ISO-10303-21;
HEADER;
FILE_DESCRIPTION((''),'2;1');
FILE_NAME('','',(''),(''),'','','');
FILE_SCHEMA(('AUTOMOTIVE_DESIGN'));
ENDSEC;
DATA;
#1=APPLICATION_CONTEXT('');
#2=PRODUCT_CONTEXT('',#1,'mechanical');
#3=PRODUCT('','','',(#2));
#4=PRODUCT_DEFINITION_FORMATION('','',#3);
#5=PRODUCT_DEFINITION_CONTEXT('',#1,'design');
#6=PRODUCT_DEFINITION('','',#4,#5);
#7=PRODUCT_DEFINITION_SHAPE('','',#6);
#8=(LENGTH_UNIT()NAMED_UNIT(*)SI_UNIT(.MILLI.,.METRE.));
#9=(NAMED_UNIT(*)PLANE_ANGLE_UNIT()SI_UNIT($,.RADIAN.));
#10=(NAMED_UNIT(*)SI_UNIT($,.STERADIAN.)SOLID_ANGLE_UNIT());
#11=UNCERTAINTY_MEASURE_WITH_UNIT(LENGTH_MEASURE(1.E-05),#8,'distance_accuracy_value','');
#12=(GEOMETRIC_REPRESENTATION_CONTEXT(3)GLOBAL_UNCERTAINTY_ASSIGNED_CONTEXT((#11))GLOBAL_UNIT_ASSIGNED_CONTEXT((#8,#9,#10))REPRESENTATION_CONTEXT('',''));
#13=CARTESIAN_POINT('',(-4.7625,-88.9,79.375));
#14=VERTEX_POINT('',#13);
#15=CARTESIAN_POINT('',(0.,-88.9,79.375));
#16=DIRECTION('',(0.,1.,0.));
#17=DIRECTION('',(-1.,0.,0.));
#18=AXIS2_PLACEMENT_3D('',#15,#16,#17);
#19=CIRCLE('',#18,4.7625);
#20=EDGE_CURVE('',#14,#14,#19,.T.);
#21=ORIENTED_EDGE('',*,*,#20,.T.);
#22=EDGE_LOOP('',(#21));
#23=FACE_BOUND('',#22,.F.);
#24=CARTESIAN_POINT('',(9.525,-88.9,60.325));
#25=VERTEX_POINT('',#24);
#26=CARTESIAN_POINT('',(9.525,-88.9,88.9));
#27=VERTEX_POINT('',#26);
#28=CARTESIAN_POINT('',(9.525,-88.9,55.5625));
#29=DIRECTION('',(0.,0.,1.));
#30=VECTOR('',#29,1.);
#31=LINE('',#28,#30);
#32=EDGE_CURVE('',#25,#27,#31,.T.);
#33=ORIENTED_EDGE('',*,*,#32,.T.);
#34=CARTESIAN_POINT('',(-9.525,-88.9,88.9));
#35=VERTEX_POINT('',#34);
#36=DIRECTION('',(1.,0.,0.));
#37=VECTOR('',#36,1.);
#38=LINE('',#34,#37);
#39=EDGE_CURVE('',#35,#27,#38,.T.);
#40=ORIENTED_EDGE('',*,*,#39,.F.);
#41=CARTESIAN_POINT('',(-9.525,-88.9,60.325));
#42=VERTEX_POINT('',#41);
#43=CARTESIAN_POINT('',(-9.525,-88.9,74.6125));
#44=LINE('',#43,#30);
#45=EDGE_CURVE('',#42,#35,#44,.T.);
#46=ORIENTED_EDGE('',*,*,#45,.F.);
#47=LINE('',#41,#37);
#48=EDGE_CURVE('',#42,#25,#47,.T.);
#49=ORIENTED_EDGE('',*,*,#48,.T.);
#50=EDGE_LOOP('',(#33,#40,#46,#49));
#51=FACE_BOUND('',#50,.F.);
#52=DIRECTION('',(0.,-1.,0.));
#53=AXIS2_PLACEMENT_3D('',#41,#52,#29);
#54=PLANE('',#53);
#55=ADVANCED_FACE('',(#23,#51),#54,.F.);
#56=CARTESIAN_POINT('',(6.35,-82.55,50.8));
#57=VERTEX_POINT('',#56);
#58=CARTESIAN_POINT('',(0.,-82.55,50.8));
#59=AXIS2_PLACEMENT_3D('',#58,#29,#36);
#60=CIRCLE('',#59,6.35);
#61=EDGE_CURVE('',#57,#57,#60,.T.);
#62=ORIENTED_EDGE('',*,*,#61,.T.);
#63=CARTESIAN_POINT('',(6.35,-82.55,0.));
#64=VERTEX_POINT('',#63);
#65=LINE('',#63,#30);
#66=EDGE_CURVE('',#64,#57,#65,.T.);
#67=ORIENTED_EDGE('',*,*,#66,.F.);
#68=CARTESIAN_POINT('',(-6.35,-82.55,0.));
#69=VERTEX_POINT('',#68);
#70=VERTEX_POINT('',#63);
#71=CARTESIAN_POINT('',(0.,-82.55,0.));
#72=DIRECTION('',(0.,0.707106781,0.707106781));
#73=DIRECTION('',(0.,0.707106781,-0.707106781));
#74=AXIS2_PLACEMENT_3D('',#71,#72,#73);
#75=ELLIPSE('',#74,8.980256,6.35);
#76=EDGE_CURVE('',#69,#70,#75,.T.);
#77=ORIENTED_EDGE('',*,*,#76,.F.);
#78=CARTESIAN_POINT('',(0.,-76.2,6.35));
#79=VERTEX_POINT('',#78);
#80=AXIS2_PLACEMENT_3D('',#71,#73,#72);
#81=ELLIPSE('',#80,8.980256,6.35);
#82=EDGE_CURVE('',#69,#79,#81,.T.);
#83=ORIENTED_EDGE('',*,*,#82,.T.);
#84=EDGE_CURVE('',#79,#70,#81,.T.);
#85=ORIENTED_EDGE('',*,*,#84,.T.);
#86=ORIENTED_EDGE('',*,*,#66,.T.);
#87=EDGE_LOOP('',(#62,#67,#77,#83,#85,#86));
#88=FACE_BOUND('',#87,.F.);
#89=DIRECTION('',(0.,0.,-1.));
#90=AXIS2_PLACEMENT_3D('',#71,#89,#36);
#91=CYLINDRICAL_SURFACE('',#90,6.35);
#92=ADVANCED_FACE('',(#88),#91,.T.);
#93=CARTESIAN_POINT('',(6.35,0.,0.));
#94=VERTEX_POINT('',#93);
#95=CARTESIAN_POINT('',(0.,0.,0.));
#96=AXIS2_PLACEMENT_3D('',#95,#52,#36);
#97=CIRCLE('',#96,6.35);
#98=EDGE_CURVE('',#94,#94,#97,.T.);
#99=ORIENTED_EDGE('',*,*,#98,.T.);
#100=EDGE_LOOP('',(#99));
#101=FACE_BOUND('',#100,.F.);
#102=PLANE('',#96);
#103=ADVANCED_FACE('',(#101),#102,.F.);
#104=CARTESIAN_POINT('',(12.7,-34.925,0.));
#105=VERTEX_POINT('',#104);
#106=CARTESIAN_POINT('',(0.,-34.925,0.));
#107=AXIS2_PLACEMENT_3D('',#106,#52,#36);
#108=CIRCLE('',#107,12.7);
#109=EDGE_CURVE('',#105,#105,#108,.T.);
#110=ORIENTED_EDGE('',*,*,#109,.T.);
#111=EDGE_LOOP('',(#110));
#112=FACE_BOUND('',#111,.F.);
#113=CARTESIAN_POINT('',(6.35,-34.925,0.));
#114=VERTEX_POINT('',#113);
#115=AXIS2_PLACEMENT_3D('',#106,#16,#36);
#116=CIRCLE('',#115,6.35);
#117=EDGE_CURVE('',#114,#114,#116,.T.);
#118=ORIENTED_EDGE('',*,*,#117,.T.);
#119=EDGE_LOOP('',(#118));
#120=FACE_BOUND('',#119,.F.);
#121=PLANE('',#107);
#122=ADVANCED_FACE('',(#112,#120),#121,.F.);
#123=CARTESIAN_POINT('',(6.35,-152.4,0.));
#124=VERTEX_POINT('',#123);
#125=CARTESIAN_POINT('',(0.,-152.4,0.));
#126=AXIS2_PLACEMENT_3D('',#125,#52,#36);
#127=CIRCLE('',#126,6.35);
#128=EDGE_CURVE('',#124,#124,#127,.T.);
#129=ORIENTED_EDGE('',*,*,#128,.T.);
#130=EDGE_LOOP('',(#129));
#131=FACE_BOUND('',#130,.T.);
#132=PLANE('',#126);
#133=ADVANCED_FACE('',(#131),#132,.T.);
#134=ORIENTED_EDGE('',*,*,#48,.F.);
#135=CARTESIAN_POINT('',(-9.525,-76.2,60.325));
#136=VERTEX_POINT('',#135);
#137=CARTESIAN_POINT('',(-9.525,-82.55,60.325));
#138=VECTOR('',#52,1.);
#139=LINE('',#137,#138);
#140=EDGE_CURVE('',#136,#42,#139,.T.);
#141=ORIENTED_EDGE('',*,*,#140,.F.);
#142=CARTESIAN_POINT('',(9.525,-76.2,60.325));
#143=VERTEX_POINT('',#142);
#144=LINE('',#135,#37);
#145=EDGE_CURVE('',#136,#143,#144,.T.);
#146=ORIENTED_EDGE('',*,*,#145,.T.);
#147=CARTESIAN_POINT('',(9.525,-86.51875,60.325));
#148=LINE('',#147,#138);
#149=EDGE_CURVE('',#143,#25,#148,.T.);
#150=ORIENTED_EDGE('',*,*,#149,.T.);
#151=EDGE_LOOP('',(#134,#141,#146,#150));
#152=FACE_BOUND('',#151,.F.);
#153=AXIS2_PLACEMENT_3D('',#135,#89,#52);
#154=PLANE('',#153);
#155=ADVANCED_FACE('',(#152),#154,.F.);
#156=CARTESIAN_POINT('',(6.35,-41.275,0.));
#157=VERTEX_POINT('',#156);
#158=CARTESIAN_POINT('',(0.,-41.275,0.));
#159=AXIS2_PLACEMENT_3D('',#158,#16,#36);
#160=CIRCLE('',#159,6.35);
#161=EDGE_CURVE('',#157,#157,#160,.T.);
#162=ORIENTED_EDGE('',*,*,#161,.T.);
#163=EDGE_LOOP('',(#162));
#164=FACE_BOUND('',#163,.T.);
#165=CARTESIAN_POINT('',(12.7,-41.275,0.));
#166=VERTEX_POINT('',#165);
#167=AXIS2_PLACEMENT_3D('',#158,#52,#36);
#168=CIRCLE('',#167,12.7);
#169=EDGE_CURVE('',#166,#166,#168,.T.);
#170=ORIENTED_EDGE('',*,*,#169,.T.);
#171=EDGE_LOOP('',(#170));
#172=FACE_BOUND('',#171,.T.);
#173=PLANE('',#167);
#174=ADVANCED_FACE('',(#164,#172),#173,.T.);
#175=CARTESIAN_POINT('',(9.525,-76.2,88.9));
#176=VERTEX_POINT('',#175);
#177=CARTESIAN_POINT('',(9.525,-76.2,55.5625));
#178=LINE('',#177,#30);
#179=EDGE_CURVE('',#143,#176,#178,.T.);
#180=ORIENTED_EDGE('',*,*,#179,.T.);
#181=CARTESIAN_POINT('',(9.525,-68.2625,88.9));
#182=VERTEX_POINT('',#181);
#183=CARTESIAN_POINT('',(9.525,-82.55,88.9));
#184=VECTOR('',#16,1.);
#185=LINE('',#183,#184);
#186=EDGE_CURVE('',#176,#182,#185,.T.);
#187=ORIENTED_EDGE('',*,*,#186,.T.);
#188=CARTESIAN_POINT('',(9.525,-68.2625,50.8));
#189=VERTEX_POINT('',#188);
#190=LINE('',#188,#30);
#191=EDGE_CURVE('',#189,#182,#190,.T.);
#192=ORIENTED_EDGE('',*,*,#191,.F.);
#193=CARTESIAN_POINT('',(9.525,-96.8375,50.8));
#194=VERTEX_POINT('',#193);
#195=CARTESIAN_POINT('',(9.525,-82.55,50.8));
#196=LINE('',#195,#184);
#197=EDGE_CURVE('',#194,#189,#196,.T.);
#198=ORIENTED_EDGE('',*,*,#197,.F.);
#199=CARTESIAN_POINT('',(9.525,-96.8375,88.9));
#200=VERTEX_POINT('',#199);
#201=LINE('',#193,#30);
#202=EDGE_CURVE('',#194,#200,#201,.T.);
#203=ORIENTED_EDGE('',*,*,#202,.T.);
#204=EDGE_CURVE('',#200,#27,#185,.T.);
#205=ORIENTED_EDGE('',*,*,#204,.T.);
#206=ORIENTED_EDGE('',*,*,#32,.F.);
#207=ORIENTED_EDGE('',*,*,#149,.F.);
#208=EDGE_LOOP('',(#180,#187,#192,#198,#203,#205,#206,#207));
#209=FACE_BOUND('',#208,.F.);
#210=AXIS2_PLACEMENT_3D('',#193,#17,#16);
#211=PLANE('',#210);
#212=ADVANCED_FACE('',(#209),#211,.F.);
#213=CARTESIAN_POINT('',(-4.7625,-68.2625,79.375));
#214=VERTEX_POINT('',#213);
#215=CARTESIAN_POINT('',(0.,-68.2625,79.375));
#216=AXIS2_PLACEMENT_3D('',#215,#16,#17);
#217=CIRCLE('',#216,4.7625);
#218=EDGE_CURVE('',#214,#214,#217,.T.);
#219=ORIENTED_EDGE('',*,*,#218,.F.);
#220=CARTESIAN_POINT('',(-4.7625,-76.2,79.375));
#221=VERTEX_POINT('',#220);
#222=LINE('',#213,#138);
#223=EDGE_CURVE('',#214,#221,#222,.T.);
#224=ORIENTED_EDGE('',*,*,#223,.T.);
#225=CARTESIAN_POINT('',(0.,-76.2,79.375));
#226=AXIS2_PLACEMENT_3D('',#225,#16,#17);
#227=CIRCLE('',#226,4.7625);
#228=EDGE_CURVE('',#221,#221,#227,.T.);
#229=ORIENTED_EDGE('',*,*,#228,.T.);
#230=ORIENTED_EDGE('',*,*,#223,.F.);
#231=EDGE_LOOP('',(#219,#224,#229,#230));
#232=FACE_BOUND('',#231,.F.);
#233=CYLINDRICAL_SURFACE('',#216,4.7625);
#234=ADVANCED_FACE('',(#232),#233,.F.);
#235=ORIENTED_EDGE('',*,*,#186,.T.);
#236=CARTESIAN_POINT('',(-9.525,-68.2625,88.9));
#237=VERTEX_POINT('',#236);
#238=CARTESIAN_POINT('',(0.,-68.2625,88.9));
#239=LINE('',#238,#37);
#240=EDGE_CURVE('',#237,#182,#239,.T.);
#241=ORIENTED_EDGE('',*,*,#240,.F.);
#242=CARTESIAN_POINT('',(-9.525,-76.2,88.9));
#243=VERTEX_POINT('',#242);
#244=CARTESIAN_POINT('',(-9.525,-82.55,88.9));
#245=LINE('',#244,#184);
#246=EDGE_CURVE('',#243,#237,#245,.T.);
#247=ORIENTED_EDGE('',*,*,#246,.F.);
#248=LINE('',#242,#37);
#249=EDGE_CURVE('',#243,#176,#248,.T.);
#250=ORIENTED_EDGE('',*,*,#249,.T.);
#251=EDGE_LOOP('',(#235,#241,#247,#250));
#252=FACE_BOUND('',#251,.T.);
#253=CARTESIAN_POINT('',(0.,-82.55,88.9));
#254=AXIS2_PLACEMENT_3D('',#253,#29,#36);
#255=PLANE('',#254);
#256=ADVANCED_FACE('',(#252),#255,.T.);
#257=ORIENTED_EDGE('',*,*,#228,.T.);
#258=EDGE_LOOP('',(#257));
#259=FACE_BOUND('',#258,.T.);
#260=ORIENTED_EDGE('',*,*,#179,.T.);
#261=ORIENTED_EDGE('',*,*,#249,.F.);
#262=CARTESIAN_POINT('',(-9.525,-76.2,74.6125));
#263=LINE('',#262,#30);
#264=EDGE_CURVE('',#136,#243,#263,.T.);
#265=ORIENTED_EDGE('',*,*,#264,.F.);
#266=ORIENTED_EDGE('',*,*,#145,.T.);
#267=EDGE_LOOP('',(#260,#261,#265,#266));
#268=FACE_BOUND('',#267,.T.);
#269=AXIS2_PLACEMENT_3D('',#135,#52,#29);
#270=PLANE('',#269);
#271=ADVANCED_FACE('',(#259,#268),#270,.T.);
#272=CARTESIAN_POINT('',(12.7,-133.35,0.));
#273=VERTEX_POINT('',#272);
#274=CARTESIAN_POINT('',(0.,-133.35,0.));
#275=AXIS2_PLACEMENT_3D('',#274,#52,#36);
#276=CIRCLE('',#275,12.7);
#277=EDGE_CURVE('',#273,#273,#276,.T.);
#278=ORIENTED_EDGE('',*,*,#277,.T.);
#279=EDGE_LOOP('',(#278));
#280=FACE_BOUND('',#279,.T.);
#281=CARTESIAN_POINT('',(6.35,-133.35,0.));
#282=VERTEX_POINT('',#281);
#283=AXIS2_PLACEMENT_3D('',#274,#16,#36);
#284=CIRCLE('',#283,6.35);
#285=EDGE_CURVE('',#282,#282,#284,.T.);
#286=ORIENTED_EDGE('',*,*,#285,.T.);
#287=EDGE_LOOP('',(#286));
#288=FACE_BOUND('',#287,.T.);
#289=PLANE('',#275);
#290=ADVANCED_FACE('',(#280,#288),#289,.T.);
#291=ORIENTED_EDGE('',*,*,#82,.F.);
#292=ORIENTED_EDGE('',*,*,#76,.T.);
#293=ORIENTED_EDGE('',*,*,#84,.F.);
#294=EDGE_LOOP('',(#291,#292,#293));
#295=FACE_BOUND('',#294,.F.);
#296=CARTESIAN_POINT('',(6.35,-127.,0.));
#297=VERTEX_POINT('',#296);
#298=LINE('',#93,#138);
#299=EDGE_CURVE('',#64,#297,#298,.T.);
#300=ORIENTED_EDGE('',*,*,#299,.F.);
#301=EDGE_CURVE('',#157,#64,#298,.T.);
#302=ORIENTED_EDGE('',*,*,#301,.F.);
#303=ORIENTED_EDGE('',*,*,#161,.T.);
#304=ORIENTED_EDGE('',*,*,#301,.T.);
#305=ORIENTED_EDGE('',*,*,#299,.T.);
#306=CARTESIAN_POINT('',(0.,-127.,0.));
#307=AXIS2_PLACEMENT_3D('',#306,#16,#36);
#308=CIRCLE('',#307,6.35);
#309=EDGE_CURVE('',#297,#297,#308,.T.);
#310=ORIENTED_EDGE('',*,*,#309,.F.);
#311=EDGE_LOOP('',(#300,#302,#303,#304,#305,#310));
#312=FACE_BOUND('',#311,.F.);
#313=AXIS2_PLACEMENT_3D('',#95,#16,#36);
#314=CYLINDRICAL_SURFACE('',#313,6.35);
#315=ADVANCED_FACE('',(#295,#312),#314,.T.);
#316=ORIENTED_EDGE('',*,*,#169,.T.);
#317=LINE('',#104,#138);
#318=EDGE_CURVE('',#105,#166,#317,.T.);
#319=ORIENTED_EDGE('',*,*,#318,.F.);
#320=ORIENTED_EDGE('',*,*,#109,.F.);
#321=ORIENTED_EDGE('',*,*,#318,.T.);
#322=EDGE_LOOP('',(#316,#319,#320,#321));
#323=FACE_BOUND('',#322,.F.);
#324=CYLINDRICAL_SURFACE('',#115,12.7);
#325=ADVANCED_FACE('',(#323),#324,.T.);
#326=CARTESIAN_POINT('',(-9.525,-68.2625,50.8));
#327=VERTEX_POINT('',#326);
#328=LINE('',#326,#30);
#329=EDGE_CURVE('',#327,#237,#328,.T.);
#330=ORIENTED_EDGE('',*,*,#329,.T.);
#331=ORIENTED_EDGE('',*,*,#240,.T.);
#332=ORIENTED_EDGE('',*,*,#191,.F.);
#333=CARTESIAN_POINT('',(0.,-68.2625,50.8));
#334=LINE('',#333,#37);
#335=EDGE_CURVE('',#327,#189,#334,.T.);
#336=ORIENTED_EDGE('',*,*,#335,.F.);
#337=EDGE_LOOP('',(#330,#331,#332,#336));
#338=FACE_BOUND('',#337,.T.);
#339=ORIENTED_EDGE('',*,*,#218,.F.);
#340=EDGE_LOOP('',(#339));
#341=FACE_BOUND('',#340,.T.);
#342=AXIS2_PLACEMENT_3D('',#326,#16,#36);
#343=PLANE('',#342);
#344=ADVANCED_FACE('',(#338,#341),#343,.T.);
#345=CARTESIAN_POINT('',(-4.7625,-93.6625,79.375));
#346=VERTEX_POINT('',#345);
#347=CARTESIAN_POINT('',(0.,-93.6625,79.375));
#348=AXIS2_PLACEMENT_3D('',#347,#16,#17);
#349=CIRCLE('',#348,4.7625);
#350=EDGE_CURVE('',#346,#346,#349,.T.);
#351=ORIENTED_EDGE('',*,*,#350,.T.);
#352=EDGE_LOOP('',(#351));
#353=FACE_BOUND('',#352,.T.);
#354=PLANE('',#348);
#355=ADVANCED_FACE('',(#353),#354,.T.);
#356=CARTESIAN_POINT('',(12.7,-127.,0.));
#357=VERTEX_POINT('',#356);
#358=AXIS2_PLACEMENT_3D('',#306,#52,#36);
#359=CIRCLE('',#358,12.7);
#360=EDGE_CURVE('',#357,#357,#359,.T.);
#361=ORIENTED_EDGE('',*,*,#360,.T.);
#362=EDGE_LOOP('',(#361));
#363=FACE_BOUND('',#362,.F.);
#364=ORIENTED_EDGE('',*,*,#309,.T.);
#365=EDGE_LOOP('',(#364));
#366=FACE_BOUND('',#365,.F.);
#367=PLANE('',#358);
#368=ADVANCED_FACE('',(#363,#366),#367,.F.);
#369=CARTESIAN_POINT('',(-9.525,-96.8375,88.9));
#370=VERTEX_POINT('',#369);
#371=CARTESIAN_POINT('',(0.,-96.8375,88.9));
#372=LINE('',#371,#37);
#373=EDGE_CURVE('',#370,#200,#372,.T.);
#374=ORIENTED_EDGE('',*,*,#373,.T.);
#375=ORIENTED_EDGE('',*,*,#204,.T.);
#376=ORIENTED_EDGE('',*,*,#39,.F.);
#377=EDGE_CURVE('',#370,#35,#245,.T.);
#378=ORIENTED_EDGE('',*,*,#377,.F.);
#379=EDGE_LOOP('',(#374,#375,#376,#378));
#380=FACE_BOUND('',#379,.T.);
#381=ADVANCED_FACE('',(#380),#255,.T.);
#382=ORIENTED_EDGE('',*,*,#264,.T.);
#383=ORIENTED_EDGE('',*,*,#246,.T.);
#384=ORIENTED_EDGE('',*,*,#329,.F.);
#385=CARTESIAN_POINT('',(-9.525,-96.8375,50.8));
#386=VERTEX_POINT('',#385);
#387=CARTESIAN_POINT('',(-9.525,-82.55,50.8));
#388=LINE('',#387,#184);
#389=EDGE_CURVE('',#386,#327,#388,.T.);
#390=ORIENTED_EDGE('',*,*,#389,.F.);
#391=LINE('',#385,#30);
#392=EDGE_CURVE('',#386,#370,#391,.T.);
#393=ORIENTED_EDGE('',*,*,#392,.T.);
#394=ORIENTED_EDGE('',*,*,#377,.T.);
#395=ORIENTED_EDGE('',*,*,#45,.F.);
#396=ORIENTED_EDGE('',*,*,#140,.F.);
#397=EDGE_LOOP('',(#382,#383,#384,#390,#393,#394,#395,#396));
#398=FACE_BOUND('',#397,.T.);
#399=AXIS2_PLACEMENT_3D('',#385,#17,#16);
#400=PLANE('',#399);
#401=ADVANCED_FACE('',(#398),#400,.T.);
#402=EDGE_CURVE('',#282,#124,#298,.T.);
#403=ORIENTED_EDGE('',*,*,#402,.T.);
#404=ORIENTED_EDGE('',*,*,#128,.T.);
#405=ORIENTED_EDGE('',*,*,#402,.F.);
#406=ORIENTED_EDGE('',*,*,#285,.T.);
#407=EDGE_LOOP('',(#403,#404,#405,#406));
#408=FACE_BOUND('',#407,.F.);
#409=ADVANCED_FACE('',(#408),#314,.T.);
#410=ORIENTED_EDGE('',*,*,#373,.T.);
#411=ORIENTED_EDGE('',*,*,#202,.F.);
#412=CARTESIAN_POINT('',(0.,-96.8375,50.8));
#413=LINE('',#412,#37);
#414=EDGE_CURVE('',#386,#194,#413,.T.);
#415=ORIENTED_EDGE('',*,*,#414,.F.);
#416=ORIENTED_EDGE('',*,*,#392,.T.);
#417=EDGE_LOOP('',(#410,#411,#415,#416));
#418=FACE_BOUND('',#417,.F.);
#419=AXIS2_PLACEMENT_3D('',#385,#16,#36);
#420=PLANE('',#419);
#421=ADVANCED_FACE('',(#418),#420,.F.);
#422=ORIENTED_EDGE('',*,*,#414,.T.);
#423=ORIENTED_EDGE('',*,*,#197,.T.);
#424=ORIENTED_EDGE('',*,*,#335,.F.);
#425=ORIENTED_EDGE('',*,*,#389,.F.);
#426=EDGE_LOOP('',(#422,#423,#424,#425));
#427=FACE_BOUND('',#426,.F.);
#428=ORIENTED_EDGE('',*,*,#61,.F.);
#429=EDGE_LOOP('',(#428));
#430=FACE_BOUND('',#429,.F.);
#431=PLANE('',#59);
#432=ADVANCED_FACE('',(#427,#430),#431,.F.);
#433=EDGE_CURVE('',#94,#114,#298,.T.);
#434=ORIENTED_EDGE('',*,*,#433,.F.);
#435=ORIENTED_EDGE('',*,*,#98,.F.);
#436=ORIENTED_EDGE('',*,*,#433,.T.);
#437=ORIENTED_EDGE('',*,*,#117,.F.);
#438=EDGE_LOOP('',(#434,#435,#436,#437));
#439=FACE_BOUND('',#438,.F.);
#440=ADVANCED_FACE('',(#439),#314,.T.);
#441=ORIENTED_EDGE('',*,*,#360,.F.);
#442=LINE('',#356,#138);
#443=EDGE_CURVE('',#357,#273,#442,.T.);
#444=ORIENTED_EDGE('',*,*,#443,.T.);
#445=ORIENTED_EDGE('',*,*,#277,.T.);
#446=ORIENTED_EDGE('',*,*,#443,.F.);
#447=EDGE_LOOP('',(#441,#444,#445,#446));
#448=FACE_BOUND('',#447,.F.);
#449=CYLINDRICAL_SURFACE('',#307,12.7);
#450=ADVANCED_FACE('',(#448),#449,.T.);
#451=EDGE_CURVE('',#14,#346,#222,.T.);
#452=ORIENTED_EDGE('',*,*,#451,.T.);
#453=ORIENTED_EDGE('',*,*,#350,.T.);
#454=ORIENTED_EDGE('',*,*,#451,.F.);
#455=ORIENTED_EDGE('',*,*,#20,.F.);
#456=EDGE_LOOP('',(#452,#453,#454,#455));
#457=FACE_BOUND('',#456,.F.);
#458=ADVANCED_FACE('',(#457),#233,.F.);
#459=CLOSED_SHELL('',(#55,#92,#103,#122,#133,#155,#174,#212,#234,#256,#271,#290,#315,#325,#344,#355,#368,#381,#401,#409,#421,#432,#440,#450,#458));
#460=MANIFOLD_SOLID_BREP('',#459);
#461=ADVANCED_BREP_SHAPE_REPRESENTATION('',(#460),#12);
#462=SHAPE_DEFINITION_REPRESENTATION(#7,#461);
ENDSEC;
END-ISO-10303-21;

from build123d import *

# Parameters (mm, degrees)
F0_R      = 6.35
F1_DEPTH  = 152.4
F4_R      = 12.7
F5_DEPTH  = 6.35
F6_R      = 12.7
F7_DEPTH  = 6.35
F9_R      = 6.35
F10_DEPTH = 50.8
F11_W     = 19.05
F11_H     = 28.575
F12_DEPTH = 38.1
F13_W     = 12.7
F13_H     = 28.575
F14_DEPTH = 25.4
F15_R     = 4.7625
F16_DEPTH = 25.4


with BuildPart() as f1:
    # F0 (on Front) → F1 (new body)
    with BuildSketch(Plane.XZ):
        Circle(F0_R)
    extrude(amount=F1_DEPTH)

    # F4 (on offset) → F5 (join)
    with BuildSketch(Plane.XZ.offset(127)):
        Circle(F4_R)
    extrude(amount=F5_DEPTH)

    # F6 (on offset) → F7 (join)
    with BuildSketch(Plane.XZ.offset(34.925)):
        Circle(F6_R)
    extrude(amount=F7_DEPTH)

    # F9 (on offset) → F10 (join)
    with BuildSketch(Plane.XY):
        with Locations((0, -82.55)):
            Circle(F9_R)
    extrude(amount=F10_DEPTH)

    # F11 (on face) → F12 (join)
    with BuildSketch(Plane.XY.offset(50.8)):
        with Locations((0, -82.55)):
            Rectangle(F11_W, F11_H)
    extrude(amount=F12_DEPTH)

    # F13 (on face) → F14 (cut)
    with BuildSketch(Plane(origin=(-9.525, 0, 0), x_dir=(0, -1, 0), z_dir=(-1, 0, 0))):
        with Locations((82.55, 74.6125)):
            Rectangle(F13_W, F13_H)
    extrude(amount=-F14_DEPTH, mode=Mode.SUBTRACT)

    # F15 (on face) → F16 (cut)
    with BuildSketch(Plane(origin=(0, -68.2625, 0), x_dir=(-1, 0, 0), z_dir=(0, 1, 0))):
        with Locations((0, 79.375)):
            Circle(F15_R)
    extrude(amount=-F16_DEPTH, mode=Mode.SUBTRACT)


solid = f1.part
